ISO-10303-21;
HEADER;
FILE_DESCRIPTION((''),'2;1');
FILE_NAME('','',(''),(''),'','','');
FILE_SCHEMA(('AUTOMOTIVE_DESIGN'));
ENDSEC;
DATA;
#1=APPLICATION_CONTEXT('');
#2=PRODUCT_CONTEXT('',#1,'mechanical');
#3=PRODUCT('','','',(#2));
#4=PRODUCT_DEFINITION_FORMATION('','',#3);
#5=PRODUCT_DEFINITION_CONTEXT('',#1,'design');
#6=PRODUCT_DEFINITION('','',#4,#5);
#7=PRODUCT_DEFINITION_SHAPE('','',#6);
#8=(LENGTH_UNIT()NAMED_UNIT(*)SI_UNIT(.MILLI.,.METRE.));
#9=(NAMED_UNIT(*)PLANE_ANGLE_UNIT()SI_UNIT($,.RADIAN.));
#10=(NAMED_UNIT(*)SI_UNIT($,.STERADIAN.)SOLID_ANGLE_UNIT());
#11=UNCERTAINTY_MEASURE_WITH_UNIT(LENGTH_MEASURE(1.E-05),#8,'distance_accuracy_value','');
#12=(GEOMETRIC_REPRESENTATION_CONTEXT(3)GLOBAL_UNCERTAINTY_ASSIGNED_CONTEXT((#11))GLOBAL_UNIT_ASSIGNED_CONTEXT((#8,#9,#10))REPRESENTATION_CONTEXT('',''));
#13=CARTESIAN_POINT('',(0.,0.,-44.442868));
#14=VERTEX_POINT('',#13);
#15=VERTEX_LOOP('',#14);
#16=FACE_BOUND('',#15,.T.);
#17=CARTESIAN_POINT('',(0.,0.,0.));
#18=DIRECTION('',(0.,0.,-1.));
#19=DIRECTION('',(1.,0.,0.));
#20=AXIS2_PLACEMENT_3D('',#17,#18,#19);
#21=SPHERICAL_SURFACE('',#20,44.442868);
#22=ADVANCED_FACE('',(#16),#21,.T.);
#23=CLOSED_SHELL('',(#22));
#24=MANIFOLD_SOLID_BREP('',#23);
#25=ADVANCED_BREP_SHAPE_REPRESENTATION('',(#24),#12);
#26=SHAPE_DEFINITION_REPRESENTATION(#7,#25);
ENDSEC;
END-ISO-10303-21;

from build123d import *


with BuildPart() as part:
    # Sketch1 → Revolve1 (revolve)
    with BuildSketch(Plane(origin=(0, 0, 0), x_dir=(1, 0, 0), z_dir=(0, 1, 0))):
        with BuildLine():
            Line((0, 44.442867879), (0, -44.442867879))
            ThreePointArc((0, -44.442867879), (44.442867879, 0), (0, 44.442867879))
        make_face()
    revolve(axis=Axis((0, 0, -44.442867879), (0, 0, 1)))


solid = part.part
